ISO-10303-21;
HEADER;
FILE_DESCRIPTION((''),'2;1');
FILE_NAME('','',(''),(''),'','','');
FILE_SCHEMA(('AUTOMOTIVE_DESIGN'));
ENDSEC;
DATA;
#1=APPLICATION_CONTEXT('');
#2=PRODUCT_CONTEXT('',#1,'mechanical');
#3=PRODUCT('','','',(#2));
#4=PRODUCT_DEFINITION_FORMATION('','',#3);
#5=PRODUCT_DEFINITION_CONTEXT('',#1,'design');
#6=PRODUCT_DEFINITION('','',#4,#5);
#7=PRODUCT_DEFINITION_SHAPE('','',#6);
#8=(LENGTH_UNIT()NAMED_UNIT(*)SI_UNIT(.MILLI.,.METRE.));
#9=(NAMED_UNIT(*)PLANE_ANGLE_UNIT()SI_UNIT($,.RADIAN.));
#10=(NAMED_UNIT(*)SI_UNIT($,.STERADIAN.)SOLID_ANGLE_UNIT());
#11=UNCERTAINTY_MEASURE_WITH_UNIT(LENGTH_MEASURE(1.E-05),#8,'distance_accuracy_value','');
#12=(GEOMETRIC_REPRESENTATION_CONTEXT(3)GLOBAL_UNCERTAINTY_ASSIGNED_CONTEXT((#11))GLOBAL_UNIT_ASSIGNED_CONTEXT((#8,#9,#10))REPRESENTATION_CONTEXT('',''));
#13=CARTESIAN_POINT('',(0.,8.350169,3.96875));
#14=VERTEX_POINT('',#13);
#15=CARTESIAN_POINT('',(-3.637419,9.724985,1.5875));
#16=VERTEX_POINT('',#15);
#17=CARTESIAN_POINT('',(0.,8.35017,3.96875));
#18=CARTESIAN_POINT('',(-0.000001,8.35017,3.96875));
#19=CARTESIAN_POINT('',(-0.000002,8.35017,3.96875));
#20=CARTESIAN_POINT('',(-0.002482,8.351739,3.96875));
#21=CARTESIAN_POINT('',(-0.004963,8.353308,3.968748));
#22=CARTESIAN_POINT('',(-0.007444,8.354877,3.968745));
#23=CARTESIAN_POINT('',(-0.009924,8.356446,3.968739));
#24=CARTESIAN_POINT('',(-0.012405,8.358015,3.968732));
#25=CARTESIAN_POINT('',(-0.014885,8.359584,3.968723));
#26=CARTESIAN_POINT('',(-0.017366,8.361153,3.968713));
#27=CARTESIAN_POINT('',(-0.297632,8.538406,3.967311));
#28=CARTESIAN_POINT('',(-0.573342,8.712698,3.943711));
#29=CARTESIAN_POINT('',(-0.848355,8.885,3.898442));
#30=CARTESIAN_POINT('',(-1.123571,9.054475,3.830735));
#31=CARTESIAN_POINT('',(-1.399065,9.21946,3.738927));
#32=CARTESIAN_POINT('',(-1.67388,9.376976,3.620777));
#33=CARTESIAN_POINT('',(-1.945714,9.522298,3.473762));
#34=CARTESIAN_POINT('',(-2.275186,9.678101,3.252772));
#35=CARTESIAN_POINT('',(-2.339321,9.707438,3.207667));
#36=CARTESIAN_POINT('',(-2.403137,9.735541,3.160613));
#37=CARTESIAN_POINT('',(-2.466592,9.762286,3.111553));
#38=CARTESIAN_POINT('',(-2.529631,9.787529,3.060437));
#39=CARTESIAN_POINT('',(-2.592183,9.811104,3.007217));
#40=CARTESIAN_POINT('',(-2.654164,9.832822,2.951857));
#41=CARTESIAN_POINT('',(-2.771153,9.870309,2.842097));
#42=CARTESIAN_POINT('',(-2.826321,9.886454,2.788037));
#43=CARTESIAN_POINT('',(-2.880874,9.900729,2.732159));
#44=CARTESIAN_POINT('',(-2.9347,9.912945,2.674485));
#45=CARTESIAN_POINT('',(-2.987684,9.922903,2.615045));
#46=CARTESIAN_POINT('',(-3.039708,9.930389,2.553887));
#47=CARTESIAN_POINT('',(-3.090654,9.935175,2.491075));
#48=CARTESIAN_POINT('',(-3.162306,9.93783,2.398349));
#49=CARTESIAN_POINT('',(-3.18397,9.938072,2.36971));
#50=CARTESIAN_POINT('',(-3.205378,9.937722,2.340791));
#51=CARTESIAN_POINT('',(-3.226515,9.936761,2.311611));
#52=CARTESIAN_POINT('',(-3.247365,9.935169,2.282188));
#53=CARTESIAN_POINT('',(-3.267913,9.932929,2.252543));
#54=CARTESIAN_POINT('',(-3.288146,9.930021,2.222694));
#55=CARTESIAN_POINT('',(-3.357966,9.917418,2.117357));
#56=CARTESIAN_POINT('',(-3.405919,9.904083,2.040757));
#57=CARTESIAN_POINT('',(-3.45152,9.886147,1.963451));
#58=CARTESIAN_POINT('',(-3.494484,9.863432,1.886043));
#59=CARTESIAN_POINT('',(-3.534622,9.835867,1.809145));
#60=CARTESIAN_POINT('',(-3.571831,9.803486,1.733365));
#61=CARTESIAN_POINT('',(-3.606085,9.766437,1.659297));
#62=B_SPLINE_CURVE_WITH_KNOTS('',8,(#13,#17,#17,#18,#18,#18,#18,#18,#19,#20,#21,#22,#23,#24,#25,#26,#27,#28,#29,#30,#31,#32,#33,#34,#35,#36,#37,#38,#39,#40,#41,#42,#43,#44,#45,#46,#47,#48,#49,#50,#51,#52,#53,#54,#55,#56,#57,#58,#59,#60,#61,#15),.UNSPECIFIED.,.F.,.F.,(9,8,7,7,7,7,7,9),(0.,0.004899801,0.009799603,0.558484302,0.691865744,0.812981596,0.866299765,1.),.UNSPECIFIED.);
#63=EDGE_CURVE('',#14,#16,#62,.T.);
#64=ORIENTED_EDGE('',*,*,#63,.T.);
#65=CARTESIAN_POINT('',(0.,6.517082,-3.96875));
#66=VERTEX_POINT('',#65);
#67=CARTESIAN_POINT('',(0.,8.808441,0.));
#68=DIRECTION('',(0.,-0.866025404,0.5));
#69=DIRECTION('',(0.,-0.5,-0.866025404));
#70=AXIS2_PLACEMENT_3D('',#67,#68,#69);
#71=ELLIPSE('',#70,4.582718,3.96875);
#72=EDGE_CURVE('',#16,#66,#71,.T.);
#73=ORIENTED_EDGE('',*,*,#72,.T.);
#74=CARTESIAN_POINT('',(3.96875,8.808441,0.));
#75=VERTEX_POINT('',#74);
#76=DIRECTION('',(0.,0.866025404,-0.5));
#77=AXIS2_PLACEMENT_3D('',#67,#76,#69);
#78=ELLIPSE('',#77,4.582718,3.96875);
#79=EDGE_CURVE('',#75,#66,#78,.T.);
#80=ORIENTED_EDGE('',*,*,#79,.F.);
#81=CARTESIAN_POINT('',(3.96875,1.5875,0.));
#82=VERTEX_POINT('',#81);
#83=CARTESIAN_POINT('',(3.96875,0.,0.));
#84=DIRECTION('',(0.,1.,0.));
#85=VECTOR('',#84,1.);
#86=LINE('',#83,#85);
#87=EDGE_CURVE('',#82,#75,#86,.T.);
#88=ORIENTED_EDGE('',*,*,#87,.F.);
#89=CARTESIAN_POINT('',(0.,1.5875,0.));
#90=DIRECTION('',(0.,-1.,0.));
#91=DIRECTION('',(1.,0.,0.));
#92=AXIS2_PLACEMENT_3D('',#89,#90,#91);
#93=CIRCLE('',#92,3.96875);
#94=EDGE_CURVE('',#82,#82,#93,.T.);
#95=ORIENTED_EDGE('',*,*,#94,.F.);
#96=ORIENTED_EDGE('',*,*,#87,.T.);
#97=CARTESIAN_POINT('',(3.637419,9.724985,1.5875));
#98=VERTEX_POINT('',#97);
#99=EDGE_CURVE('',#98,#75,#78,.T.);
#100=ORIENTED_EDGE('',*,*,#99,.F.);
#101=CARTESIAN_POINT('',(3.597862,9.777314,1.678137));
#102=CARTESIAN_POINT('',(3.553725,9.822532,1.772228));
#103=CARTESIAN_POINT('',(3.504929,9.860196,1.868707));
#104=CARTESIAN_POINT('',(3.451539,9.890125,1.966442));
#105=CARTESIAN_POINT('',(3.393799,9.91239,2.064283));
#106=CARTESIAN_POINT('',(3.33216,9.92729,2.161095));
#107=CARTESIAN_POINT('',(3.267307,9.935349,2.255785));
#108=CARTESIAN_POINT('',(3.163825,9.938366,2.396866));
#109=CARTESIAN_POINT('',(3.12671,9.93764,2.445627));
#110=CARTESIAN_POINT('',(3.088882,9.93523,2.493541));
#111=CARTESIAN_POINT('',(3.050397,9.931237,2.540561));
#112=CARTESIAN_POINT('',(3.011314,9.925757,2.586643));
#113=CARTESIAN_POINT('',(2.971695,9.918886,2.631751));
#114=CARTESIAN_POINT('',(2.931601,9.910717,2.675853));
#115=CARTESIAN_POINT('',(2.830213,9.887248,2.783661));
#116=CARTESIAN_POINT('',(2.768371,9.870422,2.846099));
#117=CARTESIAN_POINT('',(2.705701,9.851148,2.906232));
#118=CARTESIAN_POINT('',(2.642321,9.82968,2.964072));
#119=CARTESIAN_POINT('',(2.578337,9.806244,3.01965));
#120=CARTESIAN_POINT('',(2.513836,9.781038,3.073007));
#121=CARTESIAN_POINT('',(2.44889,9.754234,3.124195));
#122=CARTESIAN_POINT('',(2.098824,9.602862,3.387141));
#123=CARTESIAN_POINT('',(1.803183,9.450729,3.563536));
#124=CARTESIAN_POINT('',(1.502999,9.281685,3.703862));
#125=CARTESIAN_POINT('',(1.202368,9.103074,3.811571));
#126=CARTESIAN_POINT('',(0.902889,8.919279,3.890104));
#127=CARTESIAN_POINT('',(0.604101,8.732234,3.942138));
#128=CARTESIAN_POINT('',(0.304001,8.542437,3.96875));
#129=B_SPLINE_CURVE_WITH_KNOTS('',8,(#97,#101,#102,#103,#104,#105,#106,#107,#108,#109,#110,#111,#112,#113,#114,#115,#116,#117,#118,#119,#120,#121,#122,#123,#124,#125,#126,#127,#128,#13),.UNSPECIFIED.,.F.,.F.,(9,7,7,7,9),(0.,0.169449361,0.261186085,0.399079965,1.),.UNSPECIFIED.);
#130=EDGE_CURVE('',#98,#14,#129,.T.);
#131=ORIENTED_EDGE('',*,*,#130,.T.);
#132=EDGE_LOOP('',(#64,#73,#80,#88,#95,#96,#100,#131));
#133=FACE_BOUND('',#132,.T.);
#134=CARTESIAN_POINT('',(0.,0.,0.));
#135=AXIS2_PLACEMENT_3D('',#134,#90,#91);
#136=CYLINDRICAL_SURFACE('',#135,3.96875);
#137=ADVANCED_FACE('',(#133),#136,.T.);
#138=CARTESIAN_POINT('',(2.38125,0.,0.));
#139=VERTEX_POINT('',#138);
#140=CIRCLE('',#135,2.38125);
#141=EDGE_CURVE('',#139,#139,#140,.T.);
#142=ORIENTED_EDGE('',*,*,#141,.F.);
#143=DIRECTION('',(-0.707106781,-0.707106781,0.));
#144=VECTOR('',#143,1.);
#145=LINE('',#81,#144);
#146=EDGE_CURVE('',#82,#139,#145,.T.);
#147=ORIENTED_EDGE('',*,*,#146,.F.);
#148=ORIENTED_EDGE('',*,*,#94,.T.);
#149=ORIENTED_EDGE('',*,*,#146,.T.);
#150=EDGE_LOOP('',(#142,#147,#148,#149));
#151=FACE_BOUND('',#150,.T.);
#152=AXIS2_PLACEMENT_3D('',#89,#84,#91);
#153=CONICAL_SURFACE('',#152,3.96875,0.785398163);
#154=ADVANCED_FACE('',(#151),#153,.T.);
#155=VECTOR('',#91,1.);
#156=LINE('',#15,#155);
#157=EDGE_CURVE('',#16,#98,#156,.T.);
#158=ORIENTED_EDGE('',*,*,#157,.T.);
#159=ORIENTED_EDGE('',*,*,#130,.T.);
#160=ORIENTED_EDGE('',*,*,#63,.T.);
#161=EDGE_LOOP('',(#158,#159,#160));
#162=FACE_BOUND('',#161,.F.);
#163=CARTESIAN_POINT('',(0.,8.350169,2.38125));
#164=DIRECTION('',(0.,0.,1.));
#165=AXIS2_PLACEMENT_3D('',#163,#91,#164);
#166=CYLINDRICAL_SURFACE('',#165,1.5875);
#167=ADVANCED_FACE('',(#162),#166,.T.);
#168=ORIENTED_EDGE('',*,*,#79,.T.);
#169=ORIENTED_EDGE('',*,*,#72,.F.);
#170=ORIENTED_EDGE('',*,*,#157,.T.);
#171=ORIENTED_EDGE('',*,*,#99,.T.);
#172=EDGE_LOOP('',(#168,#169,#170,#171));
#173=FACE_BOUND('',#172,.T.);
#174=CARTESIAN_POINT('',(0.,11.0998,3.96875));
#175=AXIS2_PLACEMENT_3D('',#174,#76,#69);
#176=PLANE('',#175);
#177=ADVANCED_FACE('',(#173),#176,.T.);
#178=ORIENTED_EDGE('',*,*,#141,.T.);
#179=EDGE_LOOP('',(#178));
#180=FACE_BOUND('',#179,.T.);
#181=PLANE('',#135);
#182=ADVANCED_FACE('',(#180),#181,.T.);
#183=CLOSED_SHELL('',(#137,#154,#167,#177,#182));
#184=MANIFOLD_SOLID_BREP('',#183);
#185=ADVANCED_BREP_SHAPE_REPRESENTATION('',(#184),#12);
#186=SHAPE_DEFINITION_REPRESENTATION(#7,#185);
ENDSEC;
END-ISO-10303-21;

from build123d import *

# Parameters (mm, degrees)
F0_R          = 3.96875
F1_DEPTH      = 11.0998
F3_DEPTH      = 25.4
F3_DEPTH_BACK = 25.4
F4_SIZE2      = 1.5875
F4_SIZE       = 1.5875
F7_DEPTH      = 25.4
F7_DEPTH_BACK = 25.4


with BuildPart() as f1:
    # F0 (on Front) → F1 (new body)
    with BuildSketch(Plane.XZ):
        Circle(F0_R)
    extrude(amount=-F1_DEPTH)

    # F2 (on Right) → F3 (cut, two sides)
    with BuildSketch(Plane.YZ) as f3_sk:
        Polygon((11.0998, -21.43125), (11.0998, 3.96875), (-3.5648968374, -21.43125), align=None)
    extrude(amount=-F3_DEPTH, mode=Mode.SUBTRACT)
    extrude(f3_sk.sketch, amount=F3_DEPTH_BACK, mode=Mode.SUBTRACT)

    # F4
    f4_edges = [f1.edges().sort_by_distance(p)[0] for p in [
        (-3.96875, 0, 0),
    ]]
    chamfer(f4_edges, length=F4_SIZE, length2=F4_SIZE2)

    # F6 (on offset) → F7 (cut, two sides)
    with BuildSketch(Plane.YZ) as f7_sk:
        with BuildLine():
            ThreePointArc((8.350169343, 3.96875), (9.7249846715, 3.175), (9.7249846715, 1.5875))
            Line((9.7249846715, 1.5875), (11.0998, 3.96875))
            Line((11.0998, 3.96875), (8.350169343, 3.96875))
        make_face()
    extrude(amount=-F7_DEPTH, mode=Mode.SUBTRACT)
    extrude(f7_sk.sketch, amount=F7_DEPTH_BACK, mode=Mode.SUBTRACT)


solid = f1.part
